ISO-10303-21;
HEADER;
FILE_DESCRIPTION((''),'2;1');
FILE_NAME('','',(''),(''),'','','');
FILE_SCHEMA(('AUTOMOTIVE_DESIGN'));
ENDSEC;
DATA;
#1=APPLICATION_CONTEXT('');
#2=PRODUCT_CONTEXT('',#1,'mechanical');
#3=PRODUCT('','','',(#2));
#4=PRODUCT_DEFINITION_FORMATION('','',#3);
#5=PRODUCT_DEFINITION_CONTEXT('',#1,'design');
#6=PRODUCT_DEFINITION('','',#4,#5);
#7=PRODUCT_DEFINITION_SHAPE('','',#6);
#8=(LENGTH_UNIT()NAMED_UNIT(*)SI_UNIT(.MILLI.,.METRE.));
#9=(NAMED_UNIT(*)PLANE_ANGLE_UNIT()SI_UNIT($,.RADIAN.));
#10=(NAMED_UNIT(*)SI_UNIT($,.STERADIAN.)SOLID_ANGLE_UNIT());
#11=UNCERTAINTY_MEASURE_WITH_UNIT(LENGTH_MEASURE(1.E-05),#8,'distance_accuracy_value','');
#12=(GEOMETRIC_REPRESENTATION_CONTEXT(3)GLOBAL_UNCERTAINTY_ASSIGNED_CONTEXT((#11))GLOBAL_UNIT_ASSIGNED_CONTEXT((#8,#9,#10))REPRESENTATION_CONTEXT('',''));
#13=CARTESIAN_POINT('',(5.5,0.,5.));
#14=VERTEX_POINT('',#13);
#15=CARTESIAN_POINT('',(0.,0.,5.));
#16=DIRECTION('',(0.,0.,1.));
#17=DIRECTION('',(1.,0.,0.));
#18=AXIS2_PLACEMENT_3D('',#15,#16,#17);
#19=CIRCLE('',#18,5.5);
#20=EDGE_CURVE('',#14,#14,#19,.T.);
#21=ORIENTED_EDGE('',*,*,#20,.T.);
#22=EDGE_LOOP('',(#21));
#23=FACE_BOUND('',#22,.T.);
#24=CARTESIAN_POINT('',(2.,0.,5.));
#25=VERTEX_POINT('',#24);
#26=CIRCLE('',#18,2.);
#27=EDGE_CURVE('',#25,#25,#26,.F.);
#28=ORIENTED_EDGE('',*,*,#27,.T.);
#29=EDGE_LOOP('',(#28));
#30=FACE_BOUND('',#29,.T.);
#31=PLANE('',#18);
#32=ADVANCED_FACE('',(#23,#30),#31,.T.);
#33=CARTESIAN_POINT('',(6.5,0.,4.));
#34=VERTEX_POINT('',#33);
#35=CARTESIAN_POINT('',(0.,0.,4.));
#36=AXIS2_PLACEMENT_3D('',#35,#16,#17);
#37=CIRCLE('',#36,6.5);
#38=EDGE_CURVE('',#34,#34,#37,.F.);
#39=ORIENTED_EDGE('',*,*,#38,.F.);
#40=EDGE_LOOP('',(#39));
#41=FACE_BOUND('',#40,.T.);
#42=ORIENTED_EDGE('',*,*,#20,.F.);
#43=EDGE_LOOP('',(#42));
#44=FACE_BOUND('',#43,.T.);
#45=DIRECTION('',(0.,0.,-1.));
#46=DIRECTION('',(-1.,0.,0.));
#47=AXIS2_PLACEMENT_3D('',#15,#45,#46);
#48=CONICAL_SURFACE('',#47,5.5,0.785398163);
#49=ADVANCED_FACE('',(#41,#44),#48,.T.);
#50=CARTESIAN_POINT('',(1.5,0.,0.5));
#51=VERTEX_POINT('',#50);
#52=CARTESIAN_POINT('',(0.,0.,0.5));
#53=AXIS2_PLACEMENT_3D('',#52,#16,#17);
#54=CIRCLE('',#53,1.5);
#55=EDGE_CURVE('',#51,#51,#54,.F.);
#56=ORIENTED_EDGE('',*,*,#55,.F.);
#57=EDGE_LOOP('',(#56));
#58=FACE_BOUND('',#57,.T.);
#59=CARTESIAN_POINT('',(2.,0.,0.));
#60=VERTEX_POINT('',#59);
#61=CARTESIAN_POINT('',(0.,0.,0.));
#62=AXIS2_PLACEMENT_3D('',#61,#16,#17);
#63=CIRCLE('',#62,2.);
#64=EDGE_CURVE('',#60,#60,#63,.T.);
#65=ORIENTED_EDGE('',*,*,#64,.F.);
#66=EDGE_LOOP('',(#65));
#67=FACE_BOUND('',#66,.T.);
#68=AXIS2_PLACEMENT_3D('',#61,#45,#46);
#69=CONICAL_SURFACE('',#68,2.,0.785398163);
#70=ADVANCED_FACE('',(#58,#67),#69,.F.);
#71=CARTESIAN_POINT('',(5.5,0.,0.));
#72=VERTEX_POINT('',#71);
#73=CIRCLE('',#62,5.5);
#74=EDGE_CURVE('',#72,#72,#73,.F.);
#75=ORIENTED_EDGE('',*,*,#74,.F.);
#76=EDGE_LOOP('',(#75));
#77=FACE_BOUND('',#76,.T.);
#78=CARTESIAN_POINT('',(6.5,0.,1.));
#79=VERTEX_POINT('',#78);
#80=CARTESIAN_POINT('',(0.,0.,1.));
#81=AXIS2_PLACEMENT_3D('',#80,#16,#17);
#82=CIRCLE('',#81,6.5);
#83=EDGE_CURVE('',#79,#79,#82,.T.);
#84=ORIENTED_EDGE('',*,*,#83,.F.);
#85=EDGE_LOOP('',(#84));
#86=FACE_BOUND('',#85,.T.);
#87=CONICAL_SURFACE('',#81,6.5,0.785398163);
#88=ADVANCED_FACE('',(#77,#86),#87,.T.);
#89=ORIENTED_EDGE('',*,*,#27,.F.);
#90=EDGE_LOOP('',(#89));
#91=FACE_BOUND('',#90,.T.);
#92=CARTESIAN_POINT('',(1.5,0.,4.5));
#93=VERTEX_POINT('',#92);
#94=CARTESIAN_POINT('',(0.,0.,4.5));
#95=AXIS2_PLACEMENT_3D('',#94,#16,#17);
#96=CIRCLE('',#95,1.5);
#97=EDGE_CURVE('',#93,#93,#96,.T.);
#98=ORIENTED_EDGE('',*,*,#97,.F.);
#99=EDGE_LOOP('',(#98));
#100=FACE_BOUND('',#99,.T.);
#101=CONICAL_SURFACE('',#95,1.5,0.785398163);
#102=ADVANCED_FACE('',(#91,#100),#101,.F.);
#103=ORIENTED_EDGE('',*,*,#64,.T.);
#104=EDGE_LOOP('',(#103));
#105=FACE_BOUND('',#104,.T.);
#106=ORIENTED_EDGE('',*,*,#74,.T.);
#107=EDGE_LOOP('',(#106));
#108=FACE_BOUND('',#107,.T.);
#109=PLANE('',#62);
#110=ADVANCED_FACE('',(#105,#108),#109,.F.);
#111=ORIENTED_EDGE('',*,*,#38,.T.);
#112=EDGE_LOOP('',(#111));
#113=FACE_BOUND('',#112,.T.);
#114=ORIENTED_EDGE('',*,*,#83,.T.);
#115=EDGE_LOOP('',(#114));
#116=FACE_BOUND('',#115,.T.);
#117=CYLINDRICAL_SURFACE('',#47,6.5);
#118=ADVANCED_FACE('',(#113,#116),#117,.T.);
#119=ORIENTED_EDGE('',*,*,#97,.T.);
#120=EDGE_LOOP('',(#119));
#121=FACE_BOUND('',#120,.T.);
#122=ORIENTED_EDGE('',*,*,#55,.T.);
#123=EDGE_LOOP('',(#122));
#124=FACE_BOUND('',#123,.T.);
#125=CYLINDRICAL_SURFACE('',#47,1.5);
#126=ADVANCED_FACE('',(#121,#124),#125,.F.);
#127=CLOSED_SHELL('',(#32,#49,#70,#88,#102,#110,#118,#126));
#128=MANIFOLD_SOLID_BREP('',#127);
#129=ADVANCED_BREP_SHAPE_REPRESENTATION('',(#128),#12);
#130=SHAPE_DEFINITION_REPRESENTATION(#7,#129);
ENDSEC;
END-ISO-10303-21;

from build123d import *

# Parameters (mm, degrees)
SKETCH_1_R      = 6.5
SKETCH_1_R_2    = 1.5
EXTRUDE_1_DEPTH = 5
CHAMFER_1_SIZE  = 1
CHAMFER_2_SIZE  = 0.5


with BuildPart() as part:
    # 草图1 → 凸台-拉伸1 (new body)
    with BuildSketch(Plane.XY):
        Circle(SKETCH_1_R)
        Circle(SKETCH_1_R_2, mode=Mode.SUBTRACT)
    extrude(amount=EXTRUDE_1_DEPTH)

    # 倒角1
    chamfer_1_edges = [part.edges().sort_by_distance(p)[0] for p in [
        (-6.5, 0, 0),
        (-6.5, 0, 5),
    ]]
    chamfer(chamfer_1_edges, length=CHAMFER_1_SIZE)

    # 倒角2
    chamfer_2_edges = [part.edges().sort_by_distance(p)[0] for p in [
        (-1.5, 0, 0),
        (-1.5, 0, 5),
    ]]
    chamfer(chamfer_2_edges, length=CHAMFER_2_SIZE)


solid = part.part
